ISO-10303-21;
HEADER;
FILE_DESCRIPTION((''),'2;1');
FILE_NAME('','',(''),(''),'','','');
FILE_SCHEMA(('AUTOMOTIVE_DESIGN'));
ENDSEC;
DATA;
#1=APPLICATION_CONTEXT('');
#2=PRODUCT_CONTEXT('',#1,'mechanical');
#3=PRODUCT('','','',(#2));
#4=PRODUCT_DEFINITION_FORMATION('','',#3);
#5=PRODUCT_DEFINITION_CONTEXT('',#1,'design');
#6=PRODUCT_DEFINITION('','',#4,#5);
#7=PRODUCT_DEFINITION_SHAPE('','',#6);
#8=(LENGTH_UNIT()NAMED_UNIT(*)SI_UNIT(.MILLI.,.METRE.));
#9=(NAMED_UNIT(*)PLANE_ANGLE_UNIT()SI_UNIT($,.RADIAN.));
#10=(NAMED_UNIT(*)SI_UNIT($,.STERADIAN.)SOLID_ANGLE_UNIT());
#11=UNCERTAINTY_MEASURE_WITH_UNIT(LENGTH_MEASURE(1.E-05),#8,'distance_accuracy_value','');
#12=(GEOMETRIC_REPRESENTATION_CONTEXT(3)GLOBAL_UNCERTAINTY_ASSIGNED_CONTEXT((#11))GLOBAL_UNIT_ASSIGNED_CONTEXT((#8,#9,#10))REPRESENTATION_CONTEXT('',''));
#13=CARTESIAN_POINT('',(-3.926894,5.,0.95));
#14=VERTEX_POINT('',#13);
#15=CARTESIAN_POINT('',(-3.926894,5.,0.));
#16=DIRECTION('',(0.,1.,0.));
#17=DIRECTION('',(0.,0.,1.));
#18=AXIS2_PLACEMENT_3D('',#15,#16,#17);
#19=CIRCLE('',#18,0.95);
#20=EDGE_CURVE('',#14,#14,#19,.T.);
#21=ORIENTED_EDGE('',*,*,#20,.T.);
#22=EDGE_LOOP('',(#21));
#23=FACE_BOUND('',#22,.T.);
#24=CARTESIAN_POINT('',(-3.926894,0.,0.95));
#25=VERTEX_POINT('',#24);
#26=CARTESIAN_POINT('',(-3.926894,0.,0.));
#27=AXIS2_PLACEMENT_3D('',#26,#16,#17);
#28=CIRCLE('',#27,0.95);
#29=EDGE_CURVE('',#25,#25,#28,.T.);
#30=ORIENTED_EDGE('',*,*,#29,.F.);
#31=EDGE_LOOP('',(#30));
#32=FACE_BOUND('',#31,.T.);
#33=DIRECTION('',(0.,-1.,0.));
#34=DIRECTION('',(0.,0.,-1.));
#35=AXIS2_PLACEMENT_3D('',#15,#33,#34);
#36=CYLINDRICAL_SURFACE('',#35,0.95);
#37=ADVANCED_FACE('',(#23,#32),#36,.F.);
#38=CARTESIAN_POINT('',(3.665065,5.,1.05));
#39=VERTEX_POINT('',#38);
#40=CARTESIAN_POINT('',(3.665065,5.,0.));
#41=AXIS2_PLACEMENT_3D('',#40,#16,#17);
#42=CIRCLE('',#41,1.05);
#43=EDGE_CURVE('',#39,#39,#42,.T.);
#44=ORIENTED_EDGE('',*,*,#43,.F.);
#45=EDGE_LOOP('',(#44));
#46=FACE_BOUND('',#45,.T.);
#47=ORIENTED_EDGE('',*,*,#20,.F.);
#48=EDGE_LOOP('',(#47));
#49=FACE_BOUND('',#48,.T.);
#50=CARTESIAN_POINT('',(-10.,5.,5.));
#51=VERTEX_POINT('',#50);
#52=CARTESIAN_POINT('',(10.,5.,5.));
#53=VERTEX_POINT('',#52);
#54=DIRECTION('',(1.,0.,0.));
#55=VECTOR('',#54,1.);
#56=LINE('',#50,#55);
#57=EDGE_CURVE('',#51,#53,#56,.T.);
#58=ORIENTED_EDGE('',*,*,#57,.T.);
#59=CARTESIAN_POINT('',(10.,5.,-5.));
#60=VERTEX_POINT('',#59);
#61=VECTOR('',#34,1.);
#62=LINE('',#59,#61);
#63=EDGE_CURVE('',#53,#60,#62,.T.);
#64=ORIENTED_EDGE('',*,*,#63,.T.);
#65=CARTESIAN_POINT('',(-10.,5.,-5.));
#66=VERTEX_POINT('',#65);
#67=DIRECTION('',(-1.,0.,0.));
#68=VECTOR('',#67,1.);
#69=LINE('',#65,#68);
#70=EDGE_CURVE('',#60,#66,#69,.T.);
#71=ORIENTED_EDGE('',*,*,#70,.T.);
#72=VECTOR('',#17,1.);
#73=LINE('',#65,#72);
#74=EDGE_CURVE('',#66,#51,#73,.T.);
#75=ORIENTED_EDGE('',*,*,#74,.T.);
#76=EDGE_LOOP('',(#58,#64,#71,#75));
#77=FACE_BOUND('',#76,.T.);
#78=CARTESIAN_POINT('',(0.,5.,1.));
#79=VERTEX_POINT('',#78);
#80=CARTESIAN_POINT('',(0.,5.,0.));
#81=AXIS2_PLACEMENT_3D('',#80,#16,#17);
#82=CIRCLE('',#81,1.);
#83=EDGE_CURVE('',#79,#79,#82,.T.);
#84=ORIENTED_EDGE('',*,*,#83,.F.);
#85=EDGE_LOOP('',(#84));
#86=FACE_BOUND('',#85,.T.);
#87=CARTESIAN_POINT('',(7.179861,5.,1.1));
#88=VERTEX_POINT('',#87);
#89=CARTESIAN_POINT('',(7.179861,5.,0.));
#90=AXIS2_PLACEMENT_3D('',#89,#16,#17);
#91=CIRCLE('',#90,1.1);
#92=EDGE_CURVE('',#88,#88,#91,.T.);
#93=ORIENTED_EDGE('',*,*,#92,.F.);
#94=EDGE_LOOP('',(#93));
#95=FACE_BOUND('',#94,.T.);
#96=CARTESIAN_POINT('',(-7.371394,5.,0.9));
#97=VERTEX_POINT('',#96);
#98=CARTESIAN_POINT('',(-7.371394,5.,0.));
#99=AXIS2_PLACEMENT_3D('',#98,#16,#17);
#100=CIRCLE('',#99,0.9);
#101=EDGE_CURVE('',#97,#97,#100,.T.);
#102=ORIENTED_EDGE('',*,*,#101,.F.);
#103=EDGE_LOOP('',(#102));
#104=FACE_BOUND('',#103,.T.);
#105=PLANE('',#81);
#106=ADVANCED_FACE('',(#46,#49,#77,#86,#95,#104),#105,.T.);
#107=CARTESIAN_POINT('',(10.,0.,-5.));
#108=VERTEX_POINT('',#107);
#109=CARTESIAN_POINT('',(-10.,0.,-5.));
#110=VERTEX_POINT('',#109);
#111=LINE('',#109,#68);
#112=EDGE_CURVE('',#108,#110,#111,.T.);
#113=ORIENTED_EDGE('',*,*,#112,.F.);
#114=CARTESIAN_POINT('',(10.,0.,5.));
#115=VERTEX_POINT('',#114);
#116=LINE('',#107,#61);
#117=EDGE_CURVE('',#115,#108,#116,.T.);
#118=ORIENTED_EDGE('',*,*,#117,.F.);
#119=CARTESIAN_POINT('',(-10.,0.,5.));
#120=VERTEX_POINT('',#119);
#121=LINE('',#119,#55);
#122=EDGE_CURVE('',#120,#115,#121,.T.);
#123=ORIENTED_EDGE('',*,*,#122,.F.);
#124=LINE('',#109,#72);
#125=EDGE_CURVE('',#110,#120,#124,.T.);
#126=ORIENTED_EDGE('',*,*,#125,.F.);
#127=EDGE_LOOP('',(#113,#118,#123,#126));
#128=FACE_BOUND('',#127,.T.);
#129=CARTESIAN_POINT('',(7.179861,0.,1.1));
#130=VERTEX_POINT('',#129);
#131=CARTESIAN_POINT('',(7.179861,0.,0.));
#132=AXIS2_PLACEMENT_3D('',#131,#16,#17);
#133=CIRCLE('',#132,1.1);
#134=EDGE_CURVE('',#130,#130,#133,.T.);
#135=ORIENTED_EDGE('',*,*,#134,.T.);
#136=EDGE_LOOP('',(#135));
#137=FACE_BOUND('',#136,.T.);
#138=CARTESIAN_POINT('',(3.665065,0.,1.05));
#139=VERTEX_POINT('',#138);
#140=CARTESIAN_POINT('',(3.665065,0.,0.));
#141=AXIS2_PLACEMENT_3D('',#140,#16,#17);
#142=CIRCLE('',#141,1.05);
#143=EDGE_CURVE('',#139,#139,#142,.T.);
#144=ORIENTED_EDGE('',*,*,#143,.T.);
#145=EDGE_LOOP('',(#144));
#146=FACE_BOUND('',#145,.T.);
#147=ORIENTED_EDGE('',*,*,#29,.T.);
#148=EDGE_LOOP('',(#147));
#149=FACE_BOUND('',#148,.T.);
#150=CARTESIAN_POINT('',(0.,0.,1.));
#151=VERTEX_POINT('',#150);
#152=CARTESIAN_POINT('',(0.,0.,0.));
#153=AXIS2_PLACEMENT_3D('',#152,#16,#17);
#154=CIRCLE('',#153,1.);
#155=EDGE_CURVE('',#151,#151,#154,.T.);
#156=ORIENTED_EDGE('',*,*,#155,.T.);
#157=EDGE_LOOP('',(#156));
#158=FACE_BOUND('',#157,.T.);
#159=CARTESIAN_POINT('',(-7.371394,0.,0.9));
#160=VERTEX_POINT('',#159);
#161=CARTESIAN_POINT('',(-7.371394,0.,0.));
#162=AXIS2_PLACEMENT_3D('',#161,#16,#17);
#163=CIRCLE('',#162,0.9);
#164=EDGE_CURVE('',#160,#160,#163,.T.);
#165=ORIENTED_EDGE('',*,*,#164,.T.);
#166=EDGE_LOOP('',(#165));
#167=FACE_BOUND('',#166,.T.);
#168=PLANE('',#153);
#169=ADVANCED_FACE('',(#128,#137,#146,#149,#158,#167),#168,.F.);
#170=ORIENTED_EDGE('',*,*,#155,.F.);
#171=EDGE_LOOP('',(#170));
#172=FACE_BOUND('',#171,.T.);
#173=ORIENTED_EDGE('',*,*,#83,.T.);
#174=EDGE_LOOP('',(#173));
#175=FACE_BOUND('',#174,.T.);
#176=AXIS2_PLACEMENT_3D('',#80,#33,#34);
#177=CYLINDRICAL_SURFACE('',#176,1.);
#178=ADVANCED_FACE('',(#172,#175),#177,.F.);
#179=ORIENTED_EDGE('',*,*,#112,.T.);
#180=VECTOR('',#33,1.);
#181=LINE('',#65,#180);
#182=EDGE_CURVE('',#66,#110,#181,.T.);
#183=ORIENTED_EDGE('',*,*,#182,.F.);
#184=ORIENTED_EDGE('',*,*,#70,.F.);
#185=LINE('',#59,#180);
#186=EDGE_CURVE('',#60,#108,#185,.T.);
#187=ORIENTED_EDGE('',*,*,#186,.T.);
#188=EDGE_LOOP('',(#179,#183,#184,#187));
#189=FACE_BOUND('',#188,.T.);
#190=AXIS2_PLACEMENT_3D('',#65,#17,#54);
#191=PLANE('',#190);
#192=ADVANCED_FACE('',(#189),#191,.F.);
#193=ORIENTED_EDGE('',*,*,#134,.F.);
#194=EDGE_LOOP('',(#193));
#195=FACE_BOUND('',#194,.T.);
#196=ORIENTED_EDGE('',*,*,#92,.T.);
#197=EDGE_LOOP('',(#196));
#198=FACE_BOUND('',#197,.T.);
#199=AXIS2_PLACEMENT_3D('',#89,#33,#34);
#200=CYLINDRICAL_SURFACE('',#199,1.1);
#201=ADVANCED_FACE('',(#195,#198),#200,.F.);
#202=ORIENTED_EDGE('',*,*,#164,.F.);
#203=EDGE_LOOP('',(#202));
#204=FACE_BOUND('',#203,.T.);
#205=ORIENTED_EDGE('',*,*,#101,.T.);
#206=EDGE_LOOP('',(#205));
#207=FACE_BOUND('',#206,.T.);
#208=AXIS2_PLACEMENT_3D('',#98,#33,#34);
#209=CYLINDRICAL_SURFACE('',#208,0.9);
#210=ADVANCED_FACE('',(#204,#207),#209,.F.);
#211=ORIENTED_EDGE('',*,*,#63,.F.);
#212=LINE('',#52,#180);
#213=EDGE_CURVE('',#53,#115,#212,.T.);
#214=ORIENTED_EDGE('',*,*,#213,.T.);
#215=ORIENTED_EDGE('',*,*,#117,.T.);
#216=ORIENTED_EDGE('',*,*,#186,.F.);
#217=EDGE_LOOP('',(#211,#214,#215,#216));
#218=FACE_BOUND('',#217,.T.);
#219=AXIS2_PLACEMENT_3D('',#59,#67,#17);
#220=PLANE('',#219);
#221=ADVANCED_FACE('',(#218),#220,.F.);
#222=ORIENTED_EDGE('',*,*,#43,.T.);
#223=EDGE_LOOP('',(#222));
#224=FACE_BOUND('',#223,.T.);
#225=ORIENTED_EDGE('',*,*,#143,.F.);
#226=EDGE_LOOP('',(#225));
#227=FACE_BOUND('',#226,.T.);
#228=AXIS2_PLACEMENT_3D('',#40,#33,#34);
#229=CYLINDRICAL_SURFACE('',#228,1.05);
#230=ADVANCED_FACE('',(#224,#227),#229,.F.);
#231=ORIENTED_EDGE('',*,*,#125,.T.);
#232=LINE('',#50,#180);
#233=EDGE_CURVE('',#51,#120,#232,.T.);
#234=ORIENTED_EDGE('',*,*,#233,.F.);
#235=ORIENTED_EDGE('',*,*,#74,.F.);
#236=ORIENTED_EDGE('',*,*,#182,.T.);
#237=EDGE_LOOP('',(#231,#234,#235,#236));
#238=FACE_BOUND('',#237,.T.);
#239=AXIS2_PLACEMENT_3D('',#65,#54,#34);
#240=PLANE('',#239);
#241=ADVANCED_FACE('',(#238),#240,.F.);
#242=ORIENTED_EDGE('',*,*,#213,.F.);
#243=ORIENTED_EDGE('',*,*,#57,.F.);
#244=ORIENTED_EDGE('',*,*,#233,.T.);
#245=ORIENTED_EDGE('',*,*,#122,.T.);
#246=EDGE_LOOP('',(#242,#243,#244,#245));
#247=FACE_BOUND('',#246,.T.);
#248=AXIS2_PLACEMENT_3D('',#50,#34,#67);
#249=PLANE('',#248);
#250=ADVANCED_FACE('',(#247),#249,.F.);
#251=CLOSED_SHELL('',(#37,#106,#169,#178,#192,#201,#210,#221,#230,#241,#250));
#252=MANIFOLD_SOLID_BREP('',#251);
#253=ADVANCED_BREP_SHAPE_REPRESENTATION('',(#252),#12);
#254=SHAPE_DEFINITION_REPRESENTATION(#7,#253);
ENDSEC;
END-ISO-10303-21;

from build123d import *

# Parameters (mm, degrees)
SKETCH_1_W      = 20
SKETCH_1_H      = 10
SKETCH_1_R      = 1
SKETCH_1_R_2    = 0.95
SKETCH_1_R_3    = 1.05
SKETCH_1_R_4    = 1.1
SKETCH_1_R_5    = 0.9
EXTRUDE_1_DEPTH = 5


with BuildPart() as part:
    # 草图1 → 凸台-拉伸1 (new body)
    with BuildSketch(Plane(origin=(0, 0, 0), x_dir=(1, 0, 0), z_dir=(0, 1, 0))):
        Rectangle(SKETCH_1_W, SKETCH_1_H)
        with Locations(Location((0, 0, 0), (0, 0, 270))):
            Circle(SKETCH_1_R, mode=Mode.SUBTRACT)
        with Locations(Location((-3.926893878, 0, 0), (0, 0, 270))):
            Circle(SKETCH_1_R_2, mode=Mode.SUBTRACT)
        with Locations(Location((3.665065306, 0, 0), (0, 0, 270))):
            Circle(SKETCH_1_R_3, mode=Mode.SUBTRACT)
        with Locations(Location((7.179861224, 0, 0), (0, 0, 270))):
            Circle(SKETCH_1_R_4, mode=Mode.SUBTRACT)
        with Locations(Location((-7.371393878, 0, 0), (0, 0, 270))):
            Circle(SKETCH_1_R_5, mode=Mode.SUBTRACT)
    extrude(amount=EXTRUDE_1_DEPTH)


solid = part.part
